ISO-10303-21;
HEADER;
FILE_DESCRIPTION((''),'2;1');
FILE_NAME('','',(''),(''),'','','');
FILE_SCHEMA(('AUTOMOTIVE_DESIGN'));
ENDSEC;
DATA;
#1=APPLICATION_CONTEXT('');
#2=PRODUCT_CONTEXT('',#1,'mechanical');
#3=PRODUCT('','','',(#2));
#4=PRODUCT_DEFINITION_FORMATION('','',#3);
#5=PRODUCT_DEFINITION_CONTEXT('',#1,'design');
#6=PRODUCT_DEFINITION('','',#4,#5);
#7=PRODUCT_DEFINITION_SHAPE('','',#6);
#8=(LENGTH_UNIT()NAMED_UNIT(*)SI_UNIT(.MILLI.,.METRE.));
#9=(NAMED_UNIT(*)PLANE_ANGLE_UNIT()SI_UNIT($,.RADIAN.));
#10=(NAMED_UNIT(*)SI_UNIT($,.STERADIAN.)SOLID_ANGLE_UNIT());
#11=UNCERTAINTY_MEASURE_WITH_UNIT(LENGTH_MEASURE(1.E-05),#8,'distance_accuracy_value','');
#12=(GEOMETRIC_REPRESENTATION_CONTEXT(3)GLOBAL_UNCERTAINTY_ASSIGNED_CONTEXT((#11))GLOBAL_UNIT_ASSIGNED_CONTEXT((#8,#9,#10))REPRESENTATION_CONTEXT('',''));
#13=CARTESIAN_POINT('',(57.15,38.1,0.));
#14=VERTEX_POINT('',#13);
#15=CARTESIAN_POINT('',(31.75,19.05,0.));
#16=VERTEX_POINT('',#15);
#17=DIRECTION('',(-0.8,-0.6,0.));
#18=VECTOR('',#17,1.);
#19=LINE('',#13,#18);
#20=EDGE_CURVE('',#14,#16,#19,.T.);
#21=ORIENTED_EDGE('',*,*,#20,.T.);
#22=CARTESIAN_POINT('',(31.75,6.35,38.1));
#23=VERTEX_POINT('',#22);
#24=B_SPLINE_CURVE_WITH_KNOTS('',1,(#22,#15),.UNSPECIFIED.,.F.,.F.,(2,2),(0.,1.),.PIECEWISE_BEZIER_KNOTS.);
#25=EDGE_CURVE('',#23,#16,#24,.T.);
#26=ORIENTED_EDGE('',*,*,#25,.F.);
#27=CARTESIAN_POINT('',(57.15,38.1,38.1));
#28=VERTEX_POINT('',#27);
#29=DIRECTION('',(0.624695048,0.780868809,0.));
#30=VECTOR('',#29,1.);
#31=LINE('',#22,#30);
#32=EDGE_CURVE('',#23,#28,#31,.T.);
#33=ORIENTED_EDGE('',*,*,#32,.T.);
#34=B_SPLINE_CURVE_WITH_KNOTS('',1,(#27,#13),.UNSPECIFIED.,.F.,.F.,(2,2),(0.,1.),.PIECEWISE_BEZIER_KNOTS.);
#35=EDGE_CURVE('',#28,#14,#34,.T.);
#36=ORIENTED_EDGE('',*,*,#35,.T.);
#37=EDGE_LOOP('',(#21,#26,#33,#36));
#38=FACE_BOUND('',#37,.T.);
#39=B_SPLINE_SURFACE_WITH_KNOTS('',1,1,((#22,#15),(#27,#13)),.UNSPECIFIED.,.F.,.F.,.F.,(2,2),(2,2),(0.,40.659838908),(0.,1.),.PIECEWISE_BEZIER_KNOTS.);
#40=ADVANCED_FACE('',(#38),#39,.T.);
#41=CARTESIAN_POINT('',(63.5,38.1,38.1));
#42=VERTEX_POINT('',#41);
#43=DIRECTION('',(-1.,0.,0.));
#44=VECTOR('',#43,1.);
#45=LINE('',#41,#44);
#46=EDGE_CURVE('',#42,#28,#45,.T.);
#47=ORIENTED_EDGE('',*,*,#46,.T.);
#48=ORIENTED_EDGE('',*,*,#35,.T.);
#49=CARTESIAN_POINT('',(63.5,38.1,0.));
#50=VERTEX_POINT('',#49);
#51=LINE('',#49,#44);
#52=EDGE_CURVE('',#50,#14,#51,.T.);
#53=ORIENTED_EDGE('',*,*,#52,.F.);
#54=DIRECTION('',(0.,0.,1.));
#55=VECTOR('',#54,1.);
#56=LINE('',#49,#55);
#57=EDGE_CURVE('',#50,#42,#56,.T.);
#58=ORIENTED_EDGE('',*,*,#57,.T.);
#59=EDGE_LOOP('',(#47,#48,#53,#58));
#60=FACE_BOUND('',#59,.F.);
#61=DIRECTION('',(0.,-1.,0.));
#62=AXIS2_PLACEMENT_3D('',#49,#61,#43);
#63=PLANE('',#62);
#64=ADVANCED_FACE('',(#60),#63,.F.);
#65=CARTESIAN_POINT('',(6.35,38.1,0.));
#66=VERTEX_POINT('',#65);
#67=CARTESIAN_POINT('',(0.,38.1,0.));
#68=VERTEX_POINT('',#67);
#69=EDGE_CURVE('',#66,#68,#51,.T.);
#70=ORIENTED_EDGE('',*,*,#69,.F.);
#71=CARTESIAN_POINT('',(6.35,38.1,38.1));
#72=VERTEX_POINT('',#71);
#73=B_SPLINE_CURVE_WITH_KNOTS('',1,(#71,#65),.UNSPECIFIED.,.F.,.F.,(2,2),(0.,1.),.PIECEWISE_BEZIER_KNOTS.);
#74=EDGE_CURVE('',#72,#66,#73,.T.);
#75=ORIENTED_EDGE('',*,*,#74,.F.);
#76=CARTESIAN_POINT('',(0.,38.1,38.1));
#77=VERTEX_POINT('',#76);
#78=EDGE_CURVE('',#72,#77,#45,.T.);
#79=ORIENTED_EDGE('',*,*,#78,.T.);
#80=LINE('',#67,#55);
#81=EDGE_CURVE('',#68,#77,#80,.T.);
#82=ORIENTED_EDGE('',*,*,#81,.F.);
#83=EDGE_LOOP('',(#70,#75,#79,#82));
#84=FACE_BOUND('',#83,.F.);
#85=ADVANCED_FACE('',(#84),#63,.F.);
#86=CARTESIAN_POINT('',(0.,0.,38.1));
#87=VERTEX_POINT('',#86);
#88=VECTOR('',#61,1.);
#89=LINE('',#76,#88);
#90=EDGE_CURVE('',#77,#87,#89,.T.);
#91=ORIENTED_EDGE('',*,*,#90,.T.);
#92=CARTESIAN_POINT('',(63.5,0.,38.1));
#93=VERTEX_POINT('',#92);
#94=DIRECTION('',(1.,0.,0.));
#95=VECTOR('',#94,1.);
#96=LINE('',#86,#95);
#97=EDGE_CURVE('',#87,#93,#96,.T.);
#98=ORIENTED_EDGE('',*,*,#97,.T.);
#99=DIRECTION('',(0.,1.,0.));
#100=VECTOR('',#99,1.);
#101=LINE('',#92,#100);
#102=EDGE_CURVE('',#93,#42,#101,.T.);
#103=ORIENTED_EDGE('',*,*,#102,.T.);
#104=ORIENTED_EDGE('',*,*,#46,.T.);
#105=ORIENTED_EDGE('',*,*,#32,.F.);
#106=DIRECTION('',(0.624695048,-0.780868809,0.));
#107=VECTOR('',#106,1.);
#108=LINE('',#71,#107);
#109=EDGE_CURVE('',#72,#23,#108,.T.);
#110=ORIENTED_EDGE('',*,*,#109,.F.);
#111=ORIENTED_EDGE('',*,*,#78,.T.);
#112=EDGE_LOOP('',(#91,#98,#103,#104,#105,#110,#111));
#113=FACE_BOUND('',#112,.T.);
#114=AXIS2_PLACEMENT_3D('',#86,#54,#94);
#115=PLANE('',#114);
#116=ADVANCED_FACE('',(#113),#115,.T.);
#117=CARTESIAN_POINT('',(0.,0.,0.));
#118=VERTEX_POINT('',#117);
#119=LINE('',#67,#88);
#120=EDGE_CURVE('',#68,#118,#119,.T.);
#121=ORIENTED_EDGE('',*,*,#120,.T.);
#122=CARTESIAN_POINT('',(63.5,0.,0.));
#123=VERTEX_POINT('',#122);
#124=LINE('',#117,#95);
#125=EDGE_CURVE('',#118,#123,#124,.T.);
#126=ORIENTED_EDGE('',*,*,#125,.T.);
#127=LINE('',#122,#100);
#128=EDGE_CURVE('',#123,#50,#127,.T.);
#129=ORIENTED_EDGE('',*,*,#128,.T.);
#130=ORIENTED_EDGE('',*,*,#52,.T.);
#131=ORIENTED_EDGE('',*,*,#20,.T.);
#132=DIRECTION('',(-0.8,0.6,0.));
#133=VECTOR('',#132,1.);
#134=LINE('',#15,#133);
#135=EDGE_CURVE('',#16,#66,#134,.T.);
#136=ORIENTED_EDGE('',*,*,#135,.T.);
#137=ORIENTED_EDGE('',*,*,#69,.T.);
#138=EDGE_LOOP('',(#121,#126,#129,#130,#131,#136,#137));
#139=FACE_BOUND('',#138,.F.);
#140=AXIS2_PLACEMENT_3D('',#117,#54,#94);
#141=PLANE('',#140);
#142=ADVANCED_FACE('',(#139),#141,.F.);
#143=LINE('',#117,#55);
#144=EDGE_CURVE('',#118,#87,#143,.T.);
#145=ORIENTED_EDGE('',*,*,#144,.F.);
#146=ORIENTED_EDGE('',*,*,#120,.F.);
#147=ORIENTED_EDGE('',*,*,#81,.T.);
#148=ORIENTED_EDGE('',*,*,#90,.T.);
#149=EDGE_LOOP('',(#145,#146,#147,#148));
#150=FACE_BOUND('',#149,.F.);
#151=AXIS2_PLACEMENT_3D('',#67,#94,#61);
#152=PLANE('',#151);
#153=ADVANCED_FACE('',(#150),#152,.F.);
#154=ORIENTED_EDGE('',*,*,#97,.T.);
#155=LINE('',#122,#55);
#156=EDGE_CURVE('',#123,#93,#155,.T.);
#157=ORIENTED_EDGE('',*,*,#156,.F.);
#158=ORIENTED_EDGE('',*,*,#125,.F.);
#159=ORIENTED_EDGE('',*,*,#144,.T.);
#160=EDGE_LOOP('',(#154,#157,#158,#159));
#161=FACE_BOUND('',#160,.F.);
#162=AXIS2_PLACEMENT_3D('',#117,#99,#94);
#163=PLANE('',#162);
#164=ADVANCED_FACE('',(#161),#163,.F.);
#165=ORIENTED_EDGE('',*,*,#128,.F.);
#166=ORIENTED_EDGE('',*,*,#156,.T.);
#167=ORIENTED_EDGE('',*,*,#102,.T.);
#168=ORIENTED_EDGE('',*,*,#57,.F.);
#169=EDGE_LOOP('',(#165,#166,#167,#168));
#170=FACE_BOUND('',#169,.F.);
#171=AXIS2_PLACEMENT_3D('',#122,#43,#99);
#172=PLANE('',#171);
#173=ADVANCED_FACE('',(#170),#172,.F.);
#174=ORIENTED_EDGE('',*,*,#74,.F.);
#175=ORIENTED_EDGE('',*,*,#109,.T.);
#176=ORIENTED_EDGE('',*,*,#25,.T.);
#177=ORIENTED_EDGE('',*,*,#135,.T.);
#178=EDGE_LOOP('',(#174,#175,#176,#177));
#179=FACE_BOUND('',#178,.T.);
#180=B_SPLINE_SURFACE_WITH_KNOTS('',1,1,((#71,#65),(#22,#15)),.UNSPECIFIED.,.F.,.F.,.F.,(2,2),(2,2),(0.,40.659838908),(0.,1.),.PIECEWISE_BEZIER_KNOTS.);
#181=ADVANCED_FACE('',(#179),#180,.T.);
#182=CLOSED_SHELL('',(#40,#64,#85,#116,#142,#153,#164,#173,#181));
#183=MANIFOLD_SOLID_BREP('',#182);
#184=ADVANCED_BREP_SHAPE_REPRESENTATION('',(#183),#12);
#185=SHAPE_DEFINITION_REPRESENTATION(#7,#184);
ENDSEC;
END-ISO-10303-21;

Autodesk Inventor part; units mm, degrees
ref_plane "YZ Plane" through (0, 0, 0) normal (1, 0, 0) x (0, 1, 0)
ref_plane "XZ Plane" through (0, 0, 0) normal (0, 1, 0) x (-1, 0, 0)
ref_plane "XY Plane" through (0, 0, 0) normal (0, 0, 1) x (1, 0, 0)
sketch "Sketch1" plane through (0, 0, 0) normal (0, 0, 1) x (1, 0, 0)
  line L0 (0, 0) -> (63.5, 0)
  line L1 (63.5, 0) -> (63.5, 38.1)
  line L2 (63.5, 38.1) -> (0, 38.1)
  line L3 (0, 38.1) -> (0, 0)
  dimension "d0" = 38.1
  dimension "d1" = 63.5
extrude "Extrusion1" add sketch "Sketch1" along normal blind 38.1
sketch "Sketch2" plane through (0, 0, 38.1) normal (0, 0, 1) x (1, 0, 0)
  line L0 (6.35, 38.1) -> (31.75, 6.35)
  line L1 (31.75, 6.35) -> (57.15, 38.1)
  line L2 (6.35, 38.1) -> (57.15, 38.1)
  point P0 (63.5, 38.1)
  point P1 (0, 38.1)
  dimension "d4" = 6.35
  dimension "d5" = 6.35
sketch "Sketch3" plane through (0, 0, 0) normal (0, 0, -1) x (-1, 0, 0)
  line L0 (-57.15, 38.1) -> (-31.75, 19.05)
  line L1 (-31.75, 19.05) -> (-6.35, 38.1)
  line L2 (-57.15, 38.1) -> (-6.35, 38.1)
  line L3 (-63.5, 0) -> (-63.5, 38.1) projected
  line L4 (0, 38.1) -> (0, 0) projected
  line L5 (0, 0) -> (-63.5, 0) projected
  dimension "d8" = 6.35
  dimension "d9" = 6.35
  dimension "d10" = 19.05
  dimension "d11" = 31.75
loft "Loft1" cut profiles "Sketch2", "Sketch3"
properties part number "LoftCut"
